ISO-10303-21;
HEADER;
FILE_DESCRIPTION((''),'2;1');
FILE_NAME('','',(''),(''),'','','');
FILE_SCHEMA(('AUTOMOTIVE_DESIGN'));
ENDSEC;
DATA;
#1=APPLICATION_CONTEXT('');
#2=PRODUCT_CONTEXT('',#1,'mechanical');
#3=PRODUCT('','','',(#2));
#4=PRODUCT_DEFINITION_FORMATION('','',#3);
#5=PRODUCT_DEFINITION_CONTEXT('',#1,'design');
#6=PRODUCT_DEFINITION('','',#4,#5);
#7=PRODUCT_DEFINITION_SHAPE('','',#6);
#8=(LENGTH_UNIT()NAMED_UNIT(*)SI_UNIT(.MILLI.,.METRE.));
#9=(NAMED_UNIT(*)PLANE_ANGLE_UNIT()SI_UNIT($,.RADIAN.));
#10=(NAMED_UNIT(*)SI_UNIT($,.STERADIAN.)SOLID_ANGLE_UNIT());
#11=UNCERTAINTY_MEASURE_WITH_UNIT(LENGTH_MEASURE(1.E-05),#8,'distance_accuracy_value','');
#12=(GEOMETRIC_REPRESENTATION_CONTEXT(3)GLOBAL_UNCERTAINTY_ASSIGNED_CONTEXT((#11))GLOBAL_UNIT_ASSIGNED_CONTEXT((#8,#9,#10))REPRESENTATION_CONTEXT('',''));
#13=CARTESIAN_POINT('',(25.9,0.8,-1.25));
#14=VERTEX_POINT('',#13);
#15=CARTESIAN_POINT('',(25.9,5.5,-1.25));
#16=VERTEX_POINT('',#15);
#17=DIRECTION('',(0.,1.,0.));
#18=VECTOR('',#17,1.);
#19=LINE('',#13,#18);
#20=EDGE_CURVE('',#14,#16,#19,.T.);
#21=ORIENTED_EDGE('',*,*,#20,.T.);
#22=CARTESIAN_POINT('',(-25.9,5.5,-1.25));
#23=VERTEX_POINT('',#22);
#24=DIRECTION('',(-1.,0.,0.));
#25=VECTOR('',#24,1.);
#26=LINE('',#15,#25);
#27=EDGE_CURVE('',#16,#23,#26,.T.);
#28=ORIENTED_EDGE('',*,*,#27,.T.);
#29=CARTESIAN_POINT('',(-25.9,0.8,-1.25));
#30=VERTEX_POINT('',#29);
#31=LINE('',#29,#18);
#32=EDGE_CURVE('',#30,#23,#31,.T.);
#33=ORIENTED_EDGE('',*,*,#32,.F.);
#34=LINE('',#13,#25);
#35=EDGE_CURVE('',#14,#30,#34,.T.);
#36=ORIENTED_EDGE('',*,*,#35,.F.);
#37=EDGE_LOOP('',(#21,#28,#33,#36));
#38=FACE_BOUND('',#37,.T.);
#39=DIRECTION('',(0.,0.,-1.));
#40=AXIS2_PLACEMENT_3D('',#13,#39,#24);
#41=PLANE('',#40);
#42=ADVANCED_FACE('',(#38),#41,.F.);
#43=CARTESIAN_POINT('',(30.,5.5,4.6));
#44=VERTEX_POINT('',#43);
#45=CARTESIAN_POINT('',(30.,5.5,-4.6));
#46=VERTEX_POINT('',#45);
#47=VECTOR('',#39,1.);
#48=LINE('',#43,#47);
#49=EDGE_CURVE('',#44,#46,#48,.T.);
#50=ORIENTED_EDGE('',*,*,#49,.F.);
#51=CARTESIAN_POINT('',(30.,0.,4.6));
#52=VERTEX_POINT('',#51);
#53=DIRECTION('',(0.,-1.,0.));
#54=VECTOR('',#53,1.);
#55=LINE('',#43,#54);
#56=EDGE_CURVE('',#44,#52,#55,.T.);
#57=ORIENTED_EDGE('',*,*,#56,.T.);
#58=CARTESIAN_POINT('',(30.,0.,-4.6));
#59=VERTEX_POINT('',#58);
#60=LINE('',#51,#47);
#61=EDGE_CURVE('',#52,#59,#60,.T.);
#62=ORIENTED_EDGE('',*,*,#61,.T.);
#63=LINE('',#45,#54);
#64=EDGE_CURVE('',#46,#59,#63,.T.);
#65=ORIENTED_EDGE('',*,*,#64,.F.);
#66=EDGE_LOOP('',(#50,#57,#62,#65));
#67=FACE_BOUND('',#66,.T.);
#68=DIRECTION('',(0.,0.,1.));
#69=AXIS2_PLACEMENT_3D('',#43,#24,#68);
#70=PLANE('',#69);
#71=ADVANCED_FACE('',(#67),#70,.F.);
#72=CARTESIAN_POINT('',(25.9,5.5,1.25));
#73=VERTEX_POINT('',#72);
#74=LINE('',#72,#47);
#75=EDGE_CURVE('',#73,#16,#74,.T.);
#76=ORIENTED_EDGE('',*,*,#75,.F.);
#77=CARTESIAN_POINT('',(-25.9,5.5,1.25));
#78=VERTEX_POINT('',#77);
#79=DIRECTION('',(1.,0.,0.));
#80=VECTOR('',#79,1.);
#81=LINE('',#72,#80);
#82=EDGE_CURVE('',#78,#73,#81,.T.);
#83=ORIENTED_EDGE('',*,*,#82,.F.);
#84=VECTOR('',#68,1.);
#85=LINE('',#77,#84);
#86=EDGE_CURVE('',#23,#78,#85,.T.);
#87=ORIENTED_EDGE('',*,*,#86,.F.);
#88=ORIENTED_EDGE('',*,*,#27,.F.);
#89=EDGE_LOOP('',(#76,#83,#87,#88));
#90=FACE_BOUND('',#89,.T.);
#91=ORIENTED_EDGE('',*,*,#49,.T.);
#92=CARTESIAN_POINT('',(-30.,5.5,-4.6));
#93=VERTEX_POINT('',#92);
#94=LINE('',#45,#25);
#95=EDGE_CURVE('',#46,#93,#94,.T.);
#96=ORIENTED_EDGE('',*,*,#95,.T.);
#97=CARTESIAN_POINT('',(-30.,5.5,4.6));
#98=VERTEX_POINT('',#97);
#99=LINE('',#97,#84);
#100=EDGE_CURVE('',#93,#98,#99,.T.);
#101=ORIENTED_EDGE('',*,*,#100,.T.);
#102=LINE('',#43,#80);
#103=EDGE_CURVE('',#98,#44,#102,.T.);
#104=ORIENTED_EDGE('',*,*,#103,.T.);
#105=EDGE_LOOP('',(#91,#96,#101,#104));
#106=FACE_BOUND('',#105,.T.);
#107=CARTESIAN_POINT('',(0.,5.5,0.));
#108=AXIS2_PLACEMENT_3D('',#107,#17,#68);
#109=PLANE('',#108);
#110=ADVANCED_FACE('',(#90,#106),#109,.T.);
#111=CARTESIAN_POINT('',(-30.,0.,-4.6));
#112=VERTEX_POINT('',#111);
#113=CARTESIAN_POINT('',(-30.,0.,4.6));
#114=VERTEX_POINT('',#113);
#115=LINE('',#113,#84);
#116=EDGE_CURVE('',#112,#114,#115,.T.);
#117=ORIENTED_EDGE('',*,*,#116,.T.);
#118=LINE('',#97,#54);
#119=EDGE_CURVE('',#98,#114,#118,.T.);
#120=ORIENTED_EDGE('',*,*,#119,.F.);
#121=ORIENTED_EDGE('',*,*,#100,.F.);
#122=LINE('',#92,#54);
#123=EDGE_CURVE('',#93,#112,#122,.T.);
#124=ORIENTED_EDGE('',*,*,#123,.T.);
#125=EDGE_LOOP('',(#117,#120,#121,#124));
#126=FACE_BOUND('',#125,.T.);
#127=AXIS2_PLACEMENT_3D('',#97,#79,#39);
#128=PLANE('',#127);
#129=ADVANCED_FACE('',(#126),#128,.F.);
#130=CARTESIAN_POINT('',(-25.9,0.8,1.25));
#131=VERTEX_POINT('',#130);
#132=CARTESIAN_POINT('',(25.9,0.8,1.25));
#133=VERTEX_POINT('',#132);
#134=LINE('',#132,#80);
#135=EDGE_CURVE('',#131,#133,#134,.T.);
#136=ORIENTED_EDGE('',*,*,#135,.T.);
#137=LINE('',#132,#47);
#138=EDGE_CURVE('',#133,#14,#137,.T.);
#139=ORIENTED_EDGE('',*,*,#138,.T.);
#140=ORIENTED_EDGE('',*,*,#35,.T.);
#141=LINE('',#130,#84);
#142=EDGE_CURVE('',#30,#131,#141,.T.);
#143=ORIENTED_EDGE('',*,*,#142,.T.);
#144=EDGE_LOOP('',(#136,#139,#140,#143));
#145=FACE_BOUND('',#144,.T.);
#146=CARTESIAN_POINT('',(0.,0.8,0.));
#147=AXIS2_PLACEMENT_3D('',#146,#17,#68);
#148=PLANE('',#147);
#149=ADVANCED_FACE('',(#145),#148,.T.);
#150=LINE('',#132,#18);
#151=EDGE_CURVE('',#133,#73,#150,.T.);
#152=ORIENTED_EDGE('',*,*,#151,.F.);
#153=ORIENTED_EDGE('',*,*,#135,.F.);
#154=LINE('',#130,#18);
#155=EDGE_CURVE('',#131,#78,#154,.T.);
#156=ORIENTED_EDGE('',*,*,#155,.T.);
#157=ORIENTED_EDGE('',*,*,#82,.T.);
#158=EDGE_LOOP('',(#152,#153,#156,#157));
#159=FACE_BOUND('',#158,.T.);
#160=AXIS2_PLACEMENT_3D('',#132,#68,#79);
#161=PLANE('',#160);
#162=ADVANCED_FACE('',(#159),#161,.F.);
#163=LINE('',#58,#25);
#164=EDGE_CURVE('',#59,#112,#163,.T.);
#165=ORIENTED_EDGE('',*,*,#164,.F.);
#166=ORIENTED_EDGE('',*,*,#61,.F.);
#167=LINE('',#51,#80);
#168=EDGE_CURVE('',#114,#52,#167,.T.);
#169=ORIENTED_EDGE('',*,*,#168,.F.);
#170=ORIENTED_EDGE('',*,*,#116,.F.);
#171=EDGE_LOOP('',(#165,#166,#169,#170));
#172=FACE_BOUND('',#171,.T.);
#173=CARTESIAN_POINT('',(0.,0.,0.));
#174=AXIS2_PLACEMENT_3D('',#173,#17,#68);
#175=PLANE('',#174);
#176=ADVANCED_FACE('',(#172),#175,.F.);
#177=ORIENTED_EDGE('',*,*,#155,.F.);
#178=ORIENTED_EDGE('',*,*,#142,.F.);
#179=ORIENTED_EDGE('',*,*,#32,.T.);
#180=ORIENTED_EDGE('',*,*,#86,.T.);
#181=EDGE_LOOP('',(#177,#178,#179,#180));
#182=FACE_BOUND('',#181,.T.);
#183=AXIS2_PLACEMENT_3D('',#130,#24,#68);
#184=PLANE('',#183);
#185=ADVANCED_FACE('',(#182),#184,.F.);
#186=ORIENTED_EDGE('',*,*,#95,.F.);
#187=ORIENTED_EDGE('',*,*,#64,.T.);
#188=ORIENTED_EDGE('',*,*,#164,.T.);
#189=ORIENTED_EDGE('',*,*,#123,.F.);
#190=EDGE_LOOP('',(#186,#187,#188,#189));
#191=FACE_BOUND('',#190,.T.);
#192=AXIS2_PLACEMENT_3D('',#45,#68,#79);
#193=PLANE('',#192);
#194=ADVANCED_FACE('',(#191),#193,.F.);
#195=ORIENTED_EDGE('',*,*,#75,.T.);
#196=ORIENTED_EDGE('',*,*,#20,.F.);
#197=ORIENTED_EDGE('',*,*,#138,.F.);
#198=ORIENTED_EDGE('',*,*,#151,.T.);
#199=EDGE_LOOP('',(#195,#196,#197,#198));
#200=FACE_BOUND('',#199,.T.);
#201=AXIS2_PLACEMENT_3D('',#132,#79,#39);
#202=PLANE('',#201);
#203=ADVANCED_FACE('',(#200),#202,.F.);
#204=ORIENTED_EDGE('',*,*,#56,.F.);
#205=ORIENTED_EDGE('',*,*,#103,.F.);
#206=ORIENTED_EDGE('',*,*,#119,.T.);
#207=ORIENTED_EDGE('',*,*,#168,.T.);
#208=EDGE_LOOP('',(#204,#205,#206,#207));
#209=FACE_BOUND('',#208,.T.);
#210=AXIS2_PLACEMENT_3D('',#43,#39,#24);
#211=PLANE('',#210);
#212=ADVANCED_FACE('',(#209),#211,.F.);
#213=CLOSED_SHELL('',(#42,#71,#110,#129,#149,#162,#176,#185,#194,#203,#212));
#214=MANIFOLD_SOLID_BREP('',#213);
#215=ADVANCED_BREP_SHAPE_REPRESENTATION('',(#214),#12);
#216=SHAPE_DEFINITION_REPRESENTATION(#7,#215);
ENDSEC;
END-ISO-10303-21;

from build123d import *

# Parameters (mm, degrees)
SKETCH1_W           = 60
SKETCH1_H           = 9.2
BOSS_EXTRUDE1_DEPTH = 5.5
SKETCH2_W           = 51.8
SKETCH2_H           = 2.5
CUT_EXTRUDE1_DEPTH  = 4.7


with BuildPart() as part:
    # Sketch1 → Boss-Extrude1 (new body)
    with BuildSketch(Plane(origin=(0, 0, 0), x_dir=(1, 0, 0), z_dir=(0, 1, 0))):
        Rectangle(SKETCH1_W, SKETCH1_H)
    extrude(amount=BOSS_EXTRUDE1_DEPTH)

    # Sketch2 → Cut-Extrude1 (cut)
    with BuildSketch(Plane(origin=(0, 5.5, 0), x_dir=(1, 0, 0), z_dir=(0, 1, 0))):
        Rectangle(SKETCH2_W, SKETCH2_H)
    extrude(amount=-CUT_EXTRUDE1_DEPTH, mode=Mode.SUBTRACT)


solid = part.part
